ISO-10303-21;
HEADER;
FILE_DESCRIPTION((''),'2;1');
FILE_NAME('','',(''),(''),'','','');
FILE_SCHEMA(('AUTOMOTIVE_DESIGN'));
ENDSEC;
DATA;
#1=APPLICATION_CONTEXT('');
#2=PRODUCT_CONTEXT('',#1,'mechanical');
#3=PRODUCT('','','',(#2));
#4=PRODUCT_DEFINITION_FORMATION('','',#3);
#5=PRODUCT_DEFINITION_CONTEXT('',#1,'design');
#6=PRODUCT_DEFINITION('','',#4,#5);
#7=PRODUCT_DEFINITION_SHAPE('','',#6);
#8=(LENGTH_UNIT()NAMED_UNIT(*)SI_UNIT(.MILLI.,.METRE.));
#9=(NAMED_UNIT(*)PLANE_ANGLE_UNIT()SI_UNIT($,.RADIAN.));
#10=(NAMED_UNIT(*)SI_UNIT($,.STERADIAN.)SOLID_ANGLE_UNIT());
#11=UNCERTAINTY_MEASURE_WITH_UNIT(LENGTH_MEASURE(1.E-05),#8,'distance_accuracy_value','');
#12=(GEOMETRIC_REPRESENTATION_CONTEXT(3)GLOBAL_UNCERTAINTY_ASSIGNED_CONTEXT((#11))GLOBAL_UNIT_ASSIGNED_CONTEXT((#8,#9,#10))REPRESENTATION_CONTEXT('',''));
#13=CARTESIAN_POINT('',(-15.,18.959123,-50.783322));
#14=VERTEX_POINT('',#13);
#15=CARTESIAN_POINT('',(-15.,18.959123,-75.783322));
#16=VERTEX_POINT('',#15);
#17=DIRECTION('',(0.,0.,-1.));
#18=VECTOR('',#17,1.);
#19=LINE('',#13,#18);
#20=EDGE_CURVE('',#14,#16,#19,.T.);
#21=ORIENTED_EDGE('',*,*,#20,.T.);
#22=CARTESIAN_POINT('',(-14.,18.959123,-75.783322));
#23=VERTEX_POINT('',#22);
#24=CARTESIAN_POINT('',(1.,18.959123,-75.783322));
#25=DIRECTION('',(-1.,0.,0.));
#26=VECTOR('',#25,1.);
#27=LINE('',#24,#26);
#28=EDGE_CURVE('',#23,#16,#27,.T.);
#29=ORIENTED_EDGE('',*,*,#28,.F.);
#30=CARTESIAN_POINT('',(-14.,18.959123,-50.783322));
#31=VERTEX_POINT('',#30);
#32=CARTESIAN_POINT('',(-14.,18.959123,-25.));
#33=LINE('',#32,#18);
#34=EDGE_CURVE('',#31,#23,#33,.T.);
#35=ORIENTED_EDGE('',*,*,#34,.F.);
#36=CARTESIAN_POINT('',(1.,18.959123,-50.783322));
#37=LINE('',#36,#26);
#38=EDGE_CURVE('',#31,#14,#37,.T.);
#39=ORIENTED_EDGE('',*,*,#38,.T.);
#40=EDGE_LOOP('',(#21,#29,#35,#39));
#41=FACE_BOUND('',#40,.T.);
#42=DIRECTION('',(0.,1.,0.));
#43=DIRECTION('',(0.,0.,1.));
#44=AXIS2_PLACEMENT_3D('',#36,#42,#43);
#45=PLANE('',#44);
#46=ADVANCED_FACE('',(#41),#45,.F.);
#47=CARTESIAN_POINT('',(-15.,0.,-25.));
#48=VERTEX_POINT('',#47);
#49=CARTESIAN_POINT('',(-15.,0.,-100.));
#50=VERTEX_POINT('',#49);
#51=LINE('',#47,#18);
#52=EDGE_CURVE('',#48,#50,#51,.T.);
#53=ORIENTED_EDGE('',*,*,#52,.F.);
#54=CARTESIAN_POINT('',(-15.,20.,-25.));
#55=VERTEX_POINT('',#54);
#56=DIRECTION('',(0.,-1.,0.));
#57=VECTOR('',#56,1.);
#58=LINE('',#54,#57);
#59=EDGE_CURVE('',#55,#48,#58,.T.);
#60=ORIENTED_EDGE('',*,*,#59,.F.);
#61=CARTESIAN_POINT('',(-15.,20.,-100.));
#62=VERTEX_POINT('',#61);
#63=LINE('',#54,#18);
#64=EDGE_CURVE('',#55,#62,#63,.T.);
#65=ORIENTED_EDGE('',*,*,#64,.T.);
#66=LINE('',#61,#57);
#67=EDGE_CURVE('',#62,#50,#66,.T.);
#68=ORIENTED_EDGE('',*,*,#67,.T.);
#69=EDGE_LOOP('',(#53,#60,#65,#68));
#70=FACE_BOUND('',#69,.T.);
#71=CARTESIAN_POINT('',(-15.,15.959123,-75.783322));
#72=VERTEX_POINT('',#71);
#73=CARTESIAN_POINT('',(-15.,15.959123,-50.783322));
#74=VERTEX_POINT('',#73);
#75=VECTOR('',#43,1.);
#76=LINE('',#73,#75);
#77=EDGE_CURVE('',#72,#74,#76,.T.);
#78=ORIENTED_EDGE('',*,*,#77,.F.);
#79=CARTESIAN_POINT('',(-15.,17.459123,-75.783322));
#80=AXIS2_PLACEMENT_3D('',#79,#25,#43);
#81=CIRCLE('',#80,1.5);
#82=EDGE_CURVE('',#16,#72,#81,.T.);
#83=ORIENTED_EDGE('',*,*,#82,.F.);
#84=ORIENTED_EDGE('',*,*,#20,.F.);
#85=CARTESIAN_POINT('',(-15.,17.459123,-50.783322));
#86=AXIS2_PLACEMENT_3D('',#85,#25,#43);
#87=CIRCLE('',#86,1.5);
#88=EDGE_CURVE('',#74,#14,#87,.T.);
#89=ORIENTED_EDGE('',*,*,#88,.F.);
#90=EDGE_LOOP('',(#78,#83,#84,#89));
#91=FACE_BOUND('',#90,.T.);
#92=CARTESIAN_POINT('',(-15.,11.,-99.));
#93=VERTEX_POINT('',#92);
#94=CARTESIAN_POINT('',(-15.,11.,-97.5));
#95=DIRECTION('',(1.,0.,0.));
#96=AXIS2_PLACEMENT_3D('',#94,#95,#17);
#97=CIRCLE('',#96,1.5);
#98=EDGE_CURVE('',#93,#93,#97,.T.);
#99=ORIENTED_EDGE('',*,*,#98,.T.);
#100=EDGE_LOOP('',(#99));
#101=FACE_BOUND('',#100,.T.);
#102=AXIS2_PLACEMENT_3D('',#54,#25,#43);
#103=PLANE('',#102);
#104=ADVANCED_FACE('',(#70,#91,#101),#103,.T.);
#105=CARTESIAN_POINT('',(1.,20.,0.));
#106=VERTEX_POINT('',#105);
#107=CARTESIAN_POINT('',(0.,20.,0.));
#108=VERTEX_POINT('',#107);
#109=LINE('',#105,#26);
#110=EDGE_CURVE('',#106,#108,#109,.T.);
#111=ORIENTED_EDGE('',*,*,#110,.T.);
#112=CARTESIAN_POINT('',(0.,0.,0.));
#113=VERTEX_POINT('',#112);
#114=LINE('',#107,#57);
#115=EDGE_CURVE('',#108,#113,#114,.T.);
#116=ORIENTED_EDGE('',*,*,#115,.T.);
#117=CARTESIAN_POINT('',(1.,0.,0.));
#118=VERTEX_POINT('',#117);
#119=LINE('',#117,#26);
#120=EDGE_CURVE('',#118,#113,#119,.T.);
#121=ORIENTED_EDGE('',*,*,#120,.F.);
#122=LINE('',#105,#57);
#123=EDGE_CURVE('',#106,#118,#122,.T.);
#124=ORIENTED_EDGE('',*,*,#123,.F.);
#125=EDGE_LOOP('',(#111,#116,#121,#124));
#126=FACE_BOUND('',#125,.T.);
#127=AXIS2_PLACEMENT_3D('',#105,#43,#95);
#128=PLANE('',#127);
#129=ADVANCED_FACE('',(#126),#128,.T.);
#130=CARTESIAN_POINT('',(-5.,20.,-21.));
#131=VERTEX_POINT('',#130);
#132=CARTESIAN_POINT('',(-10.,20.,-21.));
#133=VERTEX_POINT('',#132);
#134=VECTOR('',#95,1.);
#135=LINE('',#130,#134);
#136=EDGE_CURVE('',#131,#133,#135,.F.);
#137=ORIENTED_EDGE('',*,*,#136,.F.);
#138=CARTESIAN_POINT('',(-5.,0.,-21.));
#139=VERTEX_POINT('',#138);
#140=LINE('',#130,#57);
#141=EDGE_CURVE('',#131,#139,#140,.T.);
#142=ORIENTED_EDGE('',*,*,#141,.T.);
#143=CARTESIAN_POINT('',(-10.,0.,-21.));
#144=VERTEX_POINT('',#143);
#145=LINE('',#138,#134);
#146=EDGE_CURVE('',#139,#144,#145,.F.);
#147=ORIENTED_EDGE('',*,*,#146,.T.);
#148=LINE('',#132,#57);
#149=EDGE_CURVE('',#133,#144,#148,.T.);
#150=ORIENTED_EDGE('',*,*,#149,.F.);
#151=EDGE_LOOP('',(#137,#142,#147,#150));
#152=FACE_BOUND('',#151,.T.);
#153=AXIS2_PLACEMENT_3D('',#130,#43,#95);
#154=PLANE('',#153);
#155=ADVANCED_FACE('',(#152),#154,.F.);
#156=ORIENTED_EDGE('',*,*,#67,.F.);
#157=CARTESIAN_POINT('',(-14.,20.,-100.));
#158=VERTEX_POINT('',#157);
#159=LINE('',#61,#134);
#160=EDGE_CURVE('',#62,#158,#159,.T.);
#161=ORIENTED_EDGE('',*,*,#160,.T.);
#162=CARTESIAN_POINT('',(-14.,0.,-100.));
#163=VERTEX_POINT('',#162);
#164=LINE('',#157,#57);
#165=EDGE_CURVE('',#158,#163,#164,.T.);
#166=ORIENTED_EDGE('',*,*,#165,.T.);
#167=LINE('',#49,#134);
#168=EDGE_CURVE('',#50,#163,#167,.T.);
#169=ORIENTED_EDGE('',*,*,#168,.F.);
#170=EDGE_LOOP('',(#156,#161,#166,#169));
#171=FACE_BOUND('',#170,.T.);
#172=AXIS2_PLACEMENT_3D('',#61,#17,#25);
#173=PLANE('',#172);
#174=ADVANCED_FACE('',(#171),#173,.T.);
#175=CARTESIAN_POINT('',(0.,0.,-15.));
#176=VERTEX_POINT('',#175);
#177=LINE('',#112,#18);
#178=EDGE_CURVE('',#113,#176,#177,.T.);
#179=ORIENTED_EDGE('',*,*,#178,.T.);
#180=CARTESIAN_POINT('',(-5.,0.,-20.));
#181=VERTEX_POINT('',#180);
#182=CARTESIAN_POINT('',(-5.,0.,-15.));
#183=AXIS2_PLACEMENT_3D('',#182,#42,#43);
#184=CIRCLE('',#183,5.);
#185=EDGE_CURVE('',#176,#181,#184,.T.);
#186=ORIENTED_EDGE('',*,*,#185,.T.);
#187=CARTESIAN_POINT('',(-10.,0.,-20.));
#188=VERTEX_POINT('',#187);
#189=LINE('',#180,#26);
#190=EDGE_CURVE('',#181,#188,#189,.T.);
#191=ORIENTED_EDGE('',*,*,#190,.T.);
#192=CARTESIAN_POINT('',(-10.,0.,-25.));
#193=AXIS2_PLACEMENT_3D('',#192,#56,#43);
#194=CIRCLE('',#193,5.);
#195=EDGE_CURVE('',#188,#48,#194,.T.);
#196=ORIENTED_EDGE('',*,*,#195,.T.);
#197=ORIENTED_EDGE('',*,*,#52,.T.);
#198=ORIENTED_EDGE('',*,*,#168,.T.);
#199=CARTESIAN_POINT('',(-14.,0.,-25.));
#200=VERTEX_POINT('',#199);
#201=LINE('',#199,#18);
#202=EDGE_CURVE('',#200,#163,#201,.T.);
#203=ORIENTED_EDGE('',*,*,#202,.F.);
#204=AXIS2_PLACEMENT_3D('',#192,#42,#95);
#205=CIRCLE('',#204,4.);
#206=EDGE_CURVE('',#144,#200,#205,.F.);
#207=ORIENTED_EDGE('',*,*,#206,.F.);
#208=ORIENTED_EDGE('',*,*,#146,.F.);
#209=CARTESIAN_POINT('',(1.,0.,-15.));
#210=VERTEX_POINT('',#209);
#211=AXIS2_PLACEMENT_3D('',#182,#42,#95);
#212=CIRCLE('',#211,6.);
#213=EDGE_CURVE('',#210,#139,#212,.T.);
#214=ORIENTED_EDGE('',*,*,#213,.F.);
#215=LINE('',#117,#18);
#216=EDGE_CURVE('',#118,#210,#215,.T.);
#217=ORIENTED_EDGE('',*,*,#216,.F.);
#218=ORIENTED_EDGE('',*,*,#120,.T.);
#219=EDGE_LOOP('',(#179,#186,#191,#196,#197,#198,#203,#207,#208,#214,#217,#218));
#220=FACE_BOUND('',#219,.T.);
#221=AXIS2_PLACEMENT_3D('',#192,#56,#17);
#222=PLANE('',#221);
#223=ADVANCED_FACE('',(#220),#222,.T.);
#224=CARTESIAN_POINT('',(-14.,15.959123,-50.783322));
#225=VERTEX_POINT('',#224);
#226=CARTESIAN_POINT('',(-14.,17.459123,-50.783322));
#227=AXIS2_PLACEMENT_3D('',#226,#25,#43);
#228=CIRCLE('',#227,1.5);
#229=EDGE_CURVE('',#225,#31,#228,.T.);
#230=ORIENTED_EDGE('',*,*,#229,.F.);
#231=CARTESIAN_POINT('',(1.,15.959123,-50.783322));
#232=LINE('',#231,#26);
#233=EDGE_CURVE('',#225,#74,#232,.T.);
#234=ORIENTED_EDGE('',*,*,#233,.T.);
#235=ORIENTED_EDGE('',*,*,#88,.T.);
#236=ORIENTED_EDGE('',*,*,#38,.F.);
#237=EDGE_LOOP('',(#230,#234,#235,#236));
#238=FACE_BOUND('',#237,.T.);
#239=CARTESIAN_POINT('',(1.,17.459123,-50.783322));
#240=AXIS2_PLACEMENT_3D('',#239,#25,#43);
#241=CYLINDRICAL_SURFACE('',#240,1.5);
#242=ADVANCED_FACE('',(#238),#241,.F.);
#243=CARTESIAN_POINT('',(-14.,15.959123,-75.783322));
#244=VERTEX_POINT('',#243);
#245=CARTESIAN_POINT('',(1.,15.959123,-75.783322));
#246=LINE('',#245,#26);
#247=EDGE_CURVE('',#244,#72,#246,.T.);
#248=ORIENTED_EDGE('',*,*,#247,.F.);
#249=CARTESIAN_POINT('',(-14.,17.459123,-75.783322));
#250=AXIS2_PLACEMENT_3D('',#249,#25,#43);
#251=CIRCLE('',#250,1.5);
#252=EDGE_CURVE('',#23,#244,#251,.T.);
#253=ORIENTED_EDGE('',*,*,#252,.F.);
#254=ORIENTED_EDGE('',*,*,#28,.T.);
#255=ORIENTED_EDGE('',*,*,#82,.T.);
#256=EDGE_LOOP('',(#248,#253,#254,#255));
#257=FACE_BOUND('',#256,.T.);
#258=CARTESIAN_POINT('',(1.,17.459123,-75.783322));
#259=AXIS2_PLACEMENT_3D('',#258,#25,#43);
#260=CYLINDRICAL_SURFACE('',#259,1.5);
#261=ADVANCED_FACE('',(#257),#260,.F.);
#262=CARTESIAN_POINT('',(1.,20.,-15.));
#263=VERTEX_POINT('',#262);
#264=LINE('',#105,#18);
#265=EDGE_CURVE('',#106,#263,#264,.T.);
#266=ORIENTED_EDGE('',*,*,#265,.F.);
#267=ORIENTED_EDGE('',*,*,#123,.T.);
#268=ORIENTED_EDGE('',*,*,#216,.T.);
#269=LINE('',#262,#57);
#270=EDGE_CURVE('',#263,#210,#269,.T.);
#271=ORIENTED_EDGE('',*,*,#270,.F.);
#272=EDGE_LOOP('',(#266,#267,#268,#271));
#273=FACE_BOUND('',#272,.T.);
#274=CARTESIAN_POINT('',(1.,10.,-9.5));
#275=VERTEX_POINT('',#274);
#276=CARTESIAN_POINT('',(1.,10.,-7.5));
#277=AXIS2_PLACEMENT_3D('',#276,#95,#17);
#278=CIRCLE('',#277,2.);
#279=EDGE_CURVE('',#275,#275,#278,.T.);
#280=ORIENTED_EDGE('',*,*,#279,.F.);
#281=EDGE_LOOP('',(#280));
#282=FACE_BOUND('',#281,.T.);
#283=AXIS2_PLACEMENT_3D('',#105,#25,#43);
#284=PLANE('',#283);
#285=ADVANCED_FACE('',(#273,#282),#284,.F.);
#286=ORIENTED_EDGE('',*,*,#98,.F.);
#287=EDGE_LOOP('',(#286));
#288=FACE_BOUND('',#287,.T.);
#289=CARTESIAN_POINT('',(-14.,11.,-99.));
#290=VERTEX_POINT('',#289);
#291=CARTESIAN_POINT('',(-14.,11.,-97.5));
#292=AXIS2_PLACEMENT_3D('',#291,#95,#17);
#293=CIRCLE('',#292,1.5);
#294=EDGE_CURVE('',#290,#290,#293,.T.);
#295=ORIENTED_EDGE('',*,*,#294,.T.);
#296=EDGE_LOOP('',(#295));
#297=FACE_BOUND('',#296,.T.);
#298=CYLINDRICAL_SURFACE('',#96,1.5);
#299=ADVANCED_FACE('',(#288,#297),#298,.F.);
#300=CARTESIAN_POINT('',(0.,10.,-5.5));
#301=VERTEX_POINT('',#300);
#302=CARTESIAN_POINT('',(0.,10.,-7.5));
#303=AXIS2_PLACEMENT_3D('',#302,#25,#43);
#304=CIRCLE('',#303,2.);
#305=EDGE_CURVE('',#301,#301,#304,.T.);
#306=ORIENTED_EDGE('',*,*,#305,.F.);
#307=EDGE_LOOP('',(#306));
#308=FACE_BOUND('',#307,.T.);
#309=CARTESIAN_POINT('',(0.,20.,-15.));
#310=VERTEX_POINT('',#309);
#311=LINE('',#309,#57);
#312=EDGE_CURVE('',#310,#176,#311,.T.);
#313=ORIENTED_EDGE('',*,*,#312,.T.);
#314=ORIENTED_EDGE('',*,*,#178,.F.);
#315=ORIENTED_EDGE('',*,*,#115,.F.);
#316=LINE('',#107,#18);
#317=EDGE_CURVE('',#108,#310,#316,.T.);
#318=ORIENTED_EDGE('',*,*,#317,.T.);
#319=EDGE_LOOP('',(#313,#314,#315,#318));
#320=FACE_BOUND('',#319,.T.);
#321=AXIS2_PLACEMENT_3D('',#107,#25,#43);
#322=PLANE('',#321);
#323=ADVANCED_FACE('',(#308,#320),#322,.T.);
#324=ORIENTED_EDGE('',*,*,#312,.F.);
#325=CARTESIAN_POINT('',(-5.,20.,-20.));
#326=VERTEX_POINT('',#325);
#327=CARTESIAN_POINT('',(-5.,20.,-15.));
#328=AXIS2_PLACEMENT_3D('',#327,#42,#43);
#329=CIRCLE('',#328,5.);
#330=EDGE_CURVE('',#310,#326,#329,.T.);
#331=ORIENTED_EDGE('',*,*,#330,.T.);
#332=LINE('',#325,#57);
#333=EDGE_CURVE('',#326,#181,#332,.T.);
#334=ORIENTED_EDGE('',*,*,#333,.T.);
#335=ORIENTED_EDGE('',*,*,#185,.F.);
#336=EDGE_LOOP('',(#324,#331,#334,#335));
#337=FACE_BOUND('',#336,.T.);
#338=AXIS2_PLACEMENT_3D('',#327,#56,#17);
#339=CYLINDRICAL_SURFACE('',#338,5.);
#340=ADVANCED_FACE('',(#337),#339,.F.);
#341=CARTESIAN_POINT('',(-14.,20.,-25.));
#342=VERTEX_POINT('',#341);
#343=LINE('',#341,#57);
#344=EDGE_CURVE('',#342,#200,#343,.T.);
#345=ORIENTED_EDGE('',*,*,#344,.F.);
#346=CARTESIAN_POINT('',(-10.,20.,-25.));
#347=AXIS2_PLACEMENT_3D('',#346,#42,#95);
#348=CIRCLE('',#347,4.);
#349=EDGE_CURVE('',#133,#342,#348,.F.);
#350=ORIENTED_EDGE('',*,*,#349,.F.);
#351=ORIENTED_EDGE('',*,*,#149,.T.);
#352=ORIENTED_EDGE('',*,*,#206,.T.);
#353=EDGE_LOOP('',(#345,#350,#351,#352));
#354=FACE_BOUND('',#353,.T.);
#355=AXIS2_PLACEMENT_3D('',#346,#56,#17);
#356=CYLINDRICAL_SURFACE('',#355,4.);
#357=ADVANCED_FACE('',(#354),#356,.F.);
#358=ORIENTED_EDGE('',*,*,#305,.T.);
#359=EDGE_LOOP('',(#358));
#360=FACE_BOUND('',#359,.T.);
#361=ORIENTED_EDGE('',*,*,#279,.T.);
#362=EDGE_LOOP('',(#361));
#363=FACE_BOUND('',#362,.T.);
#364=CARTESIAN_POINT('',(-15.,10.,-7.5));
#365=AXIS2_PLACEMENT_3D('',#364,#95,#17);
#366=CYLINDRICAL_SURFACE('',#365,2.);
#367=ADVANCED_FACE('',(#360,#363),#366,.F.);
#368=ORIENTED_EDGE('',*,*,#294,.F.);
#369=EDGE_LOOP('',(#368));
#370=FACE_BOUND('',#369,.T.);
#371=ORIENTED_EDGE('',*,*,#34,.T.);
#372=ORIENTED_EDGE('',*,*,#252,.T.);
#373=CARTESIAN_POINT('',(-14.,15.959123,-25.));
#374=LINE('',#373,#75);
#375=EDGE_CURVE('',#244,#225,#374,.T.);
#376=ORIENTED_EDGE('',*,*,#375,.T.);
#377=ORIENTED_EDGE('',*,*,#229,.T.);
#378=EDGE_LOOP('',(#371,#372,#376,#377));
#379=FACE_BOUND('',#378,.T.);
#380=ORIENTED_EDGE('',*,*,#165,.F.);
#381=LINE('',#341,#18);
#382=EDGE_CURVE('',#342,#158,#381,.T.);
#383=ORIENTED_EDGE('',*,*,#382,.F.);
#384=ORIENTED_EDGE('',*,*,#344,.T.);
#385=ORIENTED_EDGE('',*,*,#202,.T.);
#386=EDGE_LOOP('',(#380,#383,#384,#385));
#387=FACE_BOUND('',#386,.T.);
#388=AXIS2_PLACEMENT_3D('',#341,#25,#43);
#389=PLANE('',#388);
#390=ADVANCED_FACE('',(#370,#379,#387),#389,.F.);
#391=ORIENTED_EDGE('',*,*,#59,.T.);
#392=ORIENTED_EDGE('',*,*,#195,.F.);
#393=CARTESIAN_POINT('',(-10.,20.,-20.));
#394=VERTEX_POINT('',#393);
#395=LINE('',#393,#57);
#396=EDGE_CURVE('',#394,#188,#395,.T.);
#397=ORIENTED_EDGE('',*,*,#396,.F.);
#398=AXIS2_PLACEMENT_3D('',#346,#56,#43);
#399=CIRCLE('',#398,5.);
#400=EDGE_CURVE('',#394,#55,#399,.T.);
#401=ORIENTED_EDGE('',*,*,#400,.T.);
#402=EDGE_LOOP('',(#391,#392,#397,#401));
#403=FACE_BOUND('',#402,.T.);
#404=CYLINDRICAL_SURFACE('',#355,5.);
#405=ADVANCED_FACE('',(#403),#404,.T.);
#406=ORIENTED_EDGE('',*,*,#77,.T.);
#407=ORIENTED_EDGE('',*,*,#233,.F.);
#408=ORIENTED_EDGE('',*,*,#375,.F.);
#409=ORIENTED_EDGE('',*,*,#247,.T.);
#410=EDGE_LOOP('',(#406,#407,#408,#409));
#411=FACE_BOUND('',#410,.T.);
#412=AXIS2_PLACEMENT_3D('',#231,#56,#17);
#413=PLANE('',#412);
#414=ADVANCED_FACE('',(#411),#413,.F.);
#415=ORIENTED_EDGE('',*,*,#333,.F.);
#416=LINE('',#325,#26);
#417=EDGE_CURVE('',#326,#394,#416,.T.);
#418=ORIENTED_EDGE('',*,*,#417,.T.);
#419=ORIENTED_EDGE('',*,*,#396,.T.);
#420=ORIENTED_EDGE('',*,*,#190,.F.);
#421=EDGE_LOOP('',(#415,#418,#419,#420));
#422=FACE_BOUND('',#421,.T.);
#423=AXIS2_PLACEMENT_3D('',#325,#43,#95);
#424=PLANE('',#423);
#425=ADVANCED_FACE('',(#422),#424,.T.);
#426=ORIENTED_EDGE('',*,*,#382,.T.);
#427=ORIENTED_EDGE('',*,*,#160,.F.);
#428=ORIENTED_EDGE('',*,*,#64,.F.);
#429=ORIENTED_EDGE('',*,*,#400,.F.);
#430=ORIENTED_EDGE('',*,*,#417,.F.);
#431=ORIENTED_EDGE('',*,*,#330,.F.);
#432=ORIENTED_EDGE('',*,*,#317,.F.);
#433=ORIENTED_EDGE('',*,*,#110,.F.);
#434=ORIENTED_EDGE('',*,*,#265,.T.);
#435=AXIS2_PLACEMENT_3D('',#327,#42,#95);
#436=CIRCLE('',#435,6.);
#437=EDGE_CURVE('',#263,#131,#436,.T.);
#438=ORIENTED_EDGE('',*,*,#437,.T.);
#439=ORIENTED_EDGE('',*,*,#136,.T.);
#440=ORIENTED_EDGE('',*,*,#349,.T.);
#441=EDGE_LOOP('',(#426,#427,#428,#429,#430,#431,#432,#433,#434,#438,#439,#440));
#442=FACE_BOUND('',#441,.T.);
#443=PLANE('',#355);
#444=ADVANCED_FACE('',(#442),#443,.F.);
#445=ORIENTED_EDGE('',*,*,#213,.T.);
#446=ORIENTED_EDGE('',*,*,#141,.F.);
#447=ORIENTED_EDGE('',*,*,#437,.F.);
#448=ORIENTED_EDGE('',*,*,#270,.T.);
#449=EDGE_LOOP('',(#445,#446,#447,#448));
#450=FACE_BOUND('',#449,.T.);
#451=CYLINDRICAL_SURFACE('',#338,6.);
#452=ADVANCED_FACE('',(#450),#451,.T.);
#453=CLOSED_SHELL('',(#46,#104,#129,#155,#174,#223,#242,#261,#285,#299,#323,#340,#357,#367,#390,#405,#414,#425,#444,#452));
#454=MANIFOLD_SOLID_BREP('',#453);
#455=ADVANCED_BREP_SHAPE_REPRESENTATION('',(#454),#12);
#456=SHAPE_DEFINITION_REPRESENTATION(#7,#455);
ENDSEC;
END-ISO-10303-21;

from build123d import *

# Parameters (mm, degrees)
EXTRUDE_THIN1_DEPTH = 20
SKETCH2_R           = 2
CUT_EXTRUDE1_DEPTH  = 17
SKETCH3_R           = 1.5
CUT_EXTRUDE2_DEPTH  = 2
CUT_EXTRUDE3_DEPTH  = 17


with BuildPart() as part:
    # Sketch1 → Extrude-Thin1 (new body)
    with BuildSketch(Plane(origin=(0, 0, 0), x_dir=(1, 0, 0), z_dir=(0, 1, 0))):
        with BuildLine():
            Line((0, 0), (0, 15))
            ThreePointArc((0, 15), (-1.464466094, 18.535533906), (-5, 20))
            Line((-5, 20), (-10, 20))
            ThreePointArc((-10, 20), (-13.535533906, 21.464466094), (-15, 25))
            Line((-15, 25), (-15, 100))
            Line((-15, 100), (-14, 100))
            Line((-14, 100), (-14, 25))
            ThreePointArc((-14, 25), (-12.828427125, 22.171572875), (-10, 21))
            Line((-10, 21), (-5, 21))
            ThreePointArc((-5, 21), (-0.757359313, 19.242640687), (1, 15))
            Line((1, 15), (1, 0))
            Line((1, 0), (0, 0))
        make_face()
    extrude(amount=EXTRUDE_THIN1_DEPTH)

    # Sketch2 → Cut-Extrude1 (cut, through all)
    with BuildSketch(Plane(origin=(1, 0, 0), x_dir=(0, 0, -1), z_dir=(1, 0, 0))):
        with Locations((7.5, 10)):
            Circle(SKETCH2_R)
    extrude(amount=-CUT_EXTRUDE1_DEPTH, mode=Mode.SUBTRACT)

    # Sketch3 → Cut-Extrude2 (cut, through all)
    with BuildSketch(Plane(origin=(-14, 0, 0), x_dir=(0, 0, -1), z_dir=(1, 0, 0))):
        with Locations((97.5, 11)):
            Circle(SKETCH3_R)
    extrude(amount=-CUT_EXTRUDE2_DEPTH, mode=Mode.SUBTRACT)

    # Sketch4 → Cut-Extrude3 (cut, through all)
    with BuildSketch(Plane.ZY.offset(15)):
        with BuildLine():
            Line((-50.783321534, 18.959123293), (-75.783321534, 18.959123293))
            ThreePointArc((-75.783321534, 18.959123293), (-77.283321534, 17.459123293), (-75.783321534, 15.959123293))
            Line((-75.783321534, 15.959123293), (-50.783321534, 15.959123293))
            ThreePointArc((-50.783321534, 15.959123293), (-49.283321534, 17.459123293), (-50.783321534, 18.959123293))
        make_face()
    extrude(amount=-CUT_EXTRUDE3_DEPTH, mode=Mode.SUBTRACT)


solid = part.part
